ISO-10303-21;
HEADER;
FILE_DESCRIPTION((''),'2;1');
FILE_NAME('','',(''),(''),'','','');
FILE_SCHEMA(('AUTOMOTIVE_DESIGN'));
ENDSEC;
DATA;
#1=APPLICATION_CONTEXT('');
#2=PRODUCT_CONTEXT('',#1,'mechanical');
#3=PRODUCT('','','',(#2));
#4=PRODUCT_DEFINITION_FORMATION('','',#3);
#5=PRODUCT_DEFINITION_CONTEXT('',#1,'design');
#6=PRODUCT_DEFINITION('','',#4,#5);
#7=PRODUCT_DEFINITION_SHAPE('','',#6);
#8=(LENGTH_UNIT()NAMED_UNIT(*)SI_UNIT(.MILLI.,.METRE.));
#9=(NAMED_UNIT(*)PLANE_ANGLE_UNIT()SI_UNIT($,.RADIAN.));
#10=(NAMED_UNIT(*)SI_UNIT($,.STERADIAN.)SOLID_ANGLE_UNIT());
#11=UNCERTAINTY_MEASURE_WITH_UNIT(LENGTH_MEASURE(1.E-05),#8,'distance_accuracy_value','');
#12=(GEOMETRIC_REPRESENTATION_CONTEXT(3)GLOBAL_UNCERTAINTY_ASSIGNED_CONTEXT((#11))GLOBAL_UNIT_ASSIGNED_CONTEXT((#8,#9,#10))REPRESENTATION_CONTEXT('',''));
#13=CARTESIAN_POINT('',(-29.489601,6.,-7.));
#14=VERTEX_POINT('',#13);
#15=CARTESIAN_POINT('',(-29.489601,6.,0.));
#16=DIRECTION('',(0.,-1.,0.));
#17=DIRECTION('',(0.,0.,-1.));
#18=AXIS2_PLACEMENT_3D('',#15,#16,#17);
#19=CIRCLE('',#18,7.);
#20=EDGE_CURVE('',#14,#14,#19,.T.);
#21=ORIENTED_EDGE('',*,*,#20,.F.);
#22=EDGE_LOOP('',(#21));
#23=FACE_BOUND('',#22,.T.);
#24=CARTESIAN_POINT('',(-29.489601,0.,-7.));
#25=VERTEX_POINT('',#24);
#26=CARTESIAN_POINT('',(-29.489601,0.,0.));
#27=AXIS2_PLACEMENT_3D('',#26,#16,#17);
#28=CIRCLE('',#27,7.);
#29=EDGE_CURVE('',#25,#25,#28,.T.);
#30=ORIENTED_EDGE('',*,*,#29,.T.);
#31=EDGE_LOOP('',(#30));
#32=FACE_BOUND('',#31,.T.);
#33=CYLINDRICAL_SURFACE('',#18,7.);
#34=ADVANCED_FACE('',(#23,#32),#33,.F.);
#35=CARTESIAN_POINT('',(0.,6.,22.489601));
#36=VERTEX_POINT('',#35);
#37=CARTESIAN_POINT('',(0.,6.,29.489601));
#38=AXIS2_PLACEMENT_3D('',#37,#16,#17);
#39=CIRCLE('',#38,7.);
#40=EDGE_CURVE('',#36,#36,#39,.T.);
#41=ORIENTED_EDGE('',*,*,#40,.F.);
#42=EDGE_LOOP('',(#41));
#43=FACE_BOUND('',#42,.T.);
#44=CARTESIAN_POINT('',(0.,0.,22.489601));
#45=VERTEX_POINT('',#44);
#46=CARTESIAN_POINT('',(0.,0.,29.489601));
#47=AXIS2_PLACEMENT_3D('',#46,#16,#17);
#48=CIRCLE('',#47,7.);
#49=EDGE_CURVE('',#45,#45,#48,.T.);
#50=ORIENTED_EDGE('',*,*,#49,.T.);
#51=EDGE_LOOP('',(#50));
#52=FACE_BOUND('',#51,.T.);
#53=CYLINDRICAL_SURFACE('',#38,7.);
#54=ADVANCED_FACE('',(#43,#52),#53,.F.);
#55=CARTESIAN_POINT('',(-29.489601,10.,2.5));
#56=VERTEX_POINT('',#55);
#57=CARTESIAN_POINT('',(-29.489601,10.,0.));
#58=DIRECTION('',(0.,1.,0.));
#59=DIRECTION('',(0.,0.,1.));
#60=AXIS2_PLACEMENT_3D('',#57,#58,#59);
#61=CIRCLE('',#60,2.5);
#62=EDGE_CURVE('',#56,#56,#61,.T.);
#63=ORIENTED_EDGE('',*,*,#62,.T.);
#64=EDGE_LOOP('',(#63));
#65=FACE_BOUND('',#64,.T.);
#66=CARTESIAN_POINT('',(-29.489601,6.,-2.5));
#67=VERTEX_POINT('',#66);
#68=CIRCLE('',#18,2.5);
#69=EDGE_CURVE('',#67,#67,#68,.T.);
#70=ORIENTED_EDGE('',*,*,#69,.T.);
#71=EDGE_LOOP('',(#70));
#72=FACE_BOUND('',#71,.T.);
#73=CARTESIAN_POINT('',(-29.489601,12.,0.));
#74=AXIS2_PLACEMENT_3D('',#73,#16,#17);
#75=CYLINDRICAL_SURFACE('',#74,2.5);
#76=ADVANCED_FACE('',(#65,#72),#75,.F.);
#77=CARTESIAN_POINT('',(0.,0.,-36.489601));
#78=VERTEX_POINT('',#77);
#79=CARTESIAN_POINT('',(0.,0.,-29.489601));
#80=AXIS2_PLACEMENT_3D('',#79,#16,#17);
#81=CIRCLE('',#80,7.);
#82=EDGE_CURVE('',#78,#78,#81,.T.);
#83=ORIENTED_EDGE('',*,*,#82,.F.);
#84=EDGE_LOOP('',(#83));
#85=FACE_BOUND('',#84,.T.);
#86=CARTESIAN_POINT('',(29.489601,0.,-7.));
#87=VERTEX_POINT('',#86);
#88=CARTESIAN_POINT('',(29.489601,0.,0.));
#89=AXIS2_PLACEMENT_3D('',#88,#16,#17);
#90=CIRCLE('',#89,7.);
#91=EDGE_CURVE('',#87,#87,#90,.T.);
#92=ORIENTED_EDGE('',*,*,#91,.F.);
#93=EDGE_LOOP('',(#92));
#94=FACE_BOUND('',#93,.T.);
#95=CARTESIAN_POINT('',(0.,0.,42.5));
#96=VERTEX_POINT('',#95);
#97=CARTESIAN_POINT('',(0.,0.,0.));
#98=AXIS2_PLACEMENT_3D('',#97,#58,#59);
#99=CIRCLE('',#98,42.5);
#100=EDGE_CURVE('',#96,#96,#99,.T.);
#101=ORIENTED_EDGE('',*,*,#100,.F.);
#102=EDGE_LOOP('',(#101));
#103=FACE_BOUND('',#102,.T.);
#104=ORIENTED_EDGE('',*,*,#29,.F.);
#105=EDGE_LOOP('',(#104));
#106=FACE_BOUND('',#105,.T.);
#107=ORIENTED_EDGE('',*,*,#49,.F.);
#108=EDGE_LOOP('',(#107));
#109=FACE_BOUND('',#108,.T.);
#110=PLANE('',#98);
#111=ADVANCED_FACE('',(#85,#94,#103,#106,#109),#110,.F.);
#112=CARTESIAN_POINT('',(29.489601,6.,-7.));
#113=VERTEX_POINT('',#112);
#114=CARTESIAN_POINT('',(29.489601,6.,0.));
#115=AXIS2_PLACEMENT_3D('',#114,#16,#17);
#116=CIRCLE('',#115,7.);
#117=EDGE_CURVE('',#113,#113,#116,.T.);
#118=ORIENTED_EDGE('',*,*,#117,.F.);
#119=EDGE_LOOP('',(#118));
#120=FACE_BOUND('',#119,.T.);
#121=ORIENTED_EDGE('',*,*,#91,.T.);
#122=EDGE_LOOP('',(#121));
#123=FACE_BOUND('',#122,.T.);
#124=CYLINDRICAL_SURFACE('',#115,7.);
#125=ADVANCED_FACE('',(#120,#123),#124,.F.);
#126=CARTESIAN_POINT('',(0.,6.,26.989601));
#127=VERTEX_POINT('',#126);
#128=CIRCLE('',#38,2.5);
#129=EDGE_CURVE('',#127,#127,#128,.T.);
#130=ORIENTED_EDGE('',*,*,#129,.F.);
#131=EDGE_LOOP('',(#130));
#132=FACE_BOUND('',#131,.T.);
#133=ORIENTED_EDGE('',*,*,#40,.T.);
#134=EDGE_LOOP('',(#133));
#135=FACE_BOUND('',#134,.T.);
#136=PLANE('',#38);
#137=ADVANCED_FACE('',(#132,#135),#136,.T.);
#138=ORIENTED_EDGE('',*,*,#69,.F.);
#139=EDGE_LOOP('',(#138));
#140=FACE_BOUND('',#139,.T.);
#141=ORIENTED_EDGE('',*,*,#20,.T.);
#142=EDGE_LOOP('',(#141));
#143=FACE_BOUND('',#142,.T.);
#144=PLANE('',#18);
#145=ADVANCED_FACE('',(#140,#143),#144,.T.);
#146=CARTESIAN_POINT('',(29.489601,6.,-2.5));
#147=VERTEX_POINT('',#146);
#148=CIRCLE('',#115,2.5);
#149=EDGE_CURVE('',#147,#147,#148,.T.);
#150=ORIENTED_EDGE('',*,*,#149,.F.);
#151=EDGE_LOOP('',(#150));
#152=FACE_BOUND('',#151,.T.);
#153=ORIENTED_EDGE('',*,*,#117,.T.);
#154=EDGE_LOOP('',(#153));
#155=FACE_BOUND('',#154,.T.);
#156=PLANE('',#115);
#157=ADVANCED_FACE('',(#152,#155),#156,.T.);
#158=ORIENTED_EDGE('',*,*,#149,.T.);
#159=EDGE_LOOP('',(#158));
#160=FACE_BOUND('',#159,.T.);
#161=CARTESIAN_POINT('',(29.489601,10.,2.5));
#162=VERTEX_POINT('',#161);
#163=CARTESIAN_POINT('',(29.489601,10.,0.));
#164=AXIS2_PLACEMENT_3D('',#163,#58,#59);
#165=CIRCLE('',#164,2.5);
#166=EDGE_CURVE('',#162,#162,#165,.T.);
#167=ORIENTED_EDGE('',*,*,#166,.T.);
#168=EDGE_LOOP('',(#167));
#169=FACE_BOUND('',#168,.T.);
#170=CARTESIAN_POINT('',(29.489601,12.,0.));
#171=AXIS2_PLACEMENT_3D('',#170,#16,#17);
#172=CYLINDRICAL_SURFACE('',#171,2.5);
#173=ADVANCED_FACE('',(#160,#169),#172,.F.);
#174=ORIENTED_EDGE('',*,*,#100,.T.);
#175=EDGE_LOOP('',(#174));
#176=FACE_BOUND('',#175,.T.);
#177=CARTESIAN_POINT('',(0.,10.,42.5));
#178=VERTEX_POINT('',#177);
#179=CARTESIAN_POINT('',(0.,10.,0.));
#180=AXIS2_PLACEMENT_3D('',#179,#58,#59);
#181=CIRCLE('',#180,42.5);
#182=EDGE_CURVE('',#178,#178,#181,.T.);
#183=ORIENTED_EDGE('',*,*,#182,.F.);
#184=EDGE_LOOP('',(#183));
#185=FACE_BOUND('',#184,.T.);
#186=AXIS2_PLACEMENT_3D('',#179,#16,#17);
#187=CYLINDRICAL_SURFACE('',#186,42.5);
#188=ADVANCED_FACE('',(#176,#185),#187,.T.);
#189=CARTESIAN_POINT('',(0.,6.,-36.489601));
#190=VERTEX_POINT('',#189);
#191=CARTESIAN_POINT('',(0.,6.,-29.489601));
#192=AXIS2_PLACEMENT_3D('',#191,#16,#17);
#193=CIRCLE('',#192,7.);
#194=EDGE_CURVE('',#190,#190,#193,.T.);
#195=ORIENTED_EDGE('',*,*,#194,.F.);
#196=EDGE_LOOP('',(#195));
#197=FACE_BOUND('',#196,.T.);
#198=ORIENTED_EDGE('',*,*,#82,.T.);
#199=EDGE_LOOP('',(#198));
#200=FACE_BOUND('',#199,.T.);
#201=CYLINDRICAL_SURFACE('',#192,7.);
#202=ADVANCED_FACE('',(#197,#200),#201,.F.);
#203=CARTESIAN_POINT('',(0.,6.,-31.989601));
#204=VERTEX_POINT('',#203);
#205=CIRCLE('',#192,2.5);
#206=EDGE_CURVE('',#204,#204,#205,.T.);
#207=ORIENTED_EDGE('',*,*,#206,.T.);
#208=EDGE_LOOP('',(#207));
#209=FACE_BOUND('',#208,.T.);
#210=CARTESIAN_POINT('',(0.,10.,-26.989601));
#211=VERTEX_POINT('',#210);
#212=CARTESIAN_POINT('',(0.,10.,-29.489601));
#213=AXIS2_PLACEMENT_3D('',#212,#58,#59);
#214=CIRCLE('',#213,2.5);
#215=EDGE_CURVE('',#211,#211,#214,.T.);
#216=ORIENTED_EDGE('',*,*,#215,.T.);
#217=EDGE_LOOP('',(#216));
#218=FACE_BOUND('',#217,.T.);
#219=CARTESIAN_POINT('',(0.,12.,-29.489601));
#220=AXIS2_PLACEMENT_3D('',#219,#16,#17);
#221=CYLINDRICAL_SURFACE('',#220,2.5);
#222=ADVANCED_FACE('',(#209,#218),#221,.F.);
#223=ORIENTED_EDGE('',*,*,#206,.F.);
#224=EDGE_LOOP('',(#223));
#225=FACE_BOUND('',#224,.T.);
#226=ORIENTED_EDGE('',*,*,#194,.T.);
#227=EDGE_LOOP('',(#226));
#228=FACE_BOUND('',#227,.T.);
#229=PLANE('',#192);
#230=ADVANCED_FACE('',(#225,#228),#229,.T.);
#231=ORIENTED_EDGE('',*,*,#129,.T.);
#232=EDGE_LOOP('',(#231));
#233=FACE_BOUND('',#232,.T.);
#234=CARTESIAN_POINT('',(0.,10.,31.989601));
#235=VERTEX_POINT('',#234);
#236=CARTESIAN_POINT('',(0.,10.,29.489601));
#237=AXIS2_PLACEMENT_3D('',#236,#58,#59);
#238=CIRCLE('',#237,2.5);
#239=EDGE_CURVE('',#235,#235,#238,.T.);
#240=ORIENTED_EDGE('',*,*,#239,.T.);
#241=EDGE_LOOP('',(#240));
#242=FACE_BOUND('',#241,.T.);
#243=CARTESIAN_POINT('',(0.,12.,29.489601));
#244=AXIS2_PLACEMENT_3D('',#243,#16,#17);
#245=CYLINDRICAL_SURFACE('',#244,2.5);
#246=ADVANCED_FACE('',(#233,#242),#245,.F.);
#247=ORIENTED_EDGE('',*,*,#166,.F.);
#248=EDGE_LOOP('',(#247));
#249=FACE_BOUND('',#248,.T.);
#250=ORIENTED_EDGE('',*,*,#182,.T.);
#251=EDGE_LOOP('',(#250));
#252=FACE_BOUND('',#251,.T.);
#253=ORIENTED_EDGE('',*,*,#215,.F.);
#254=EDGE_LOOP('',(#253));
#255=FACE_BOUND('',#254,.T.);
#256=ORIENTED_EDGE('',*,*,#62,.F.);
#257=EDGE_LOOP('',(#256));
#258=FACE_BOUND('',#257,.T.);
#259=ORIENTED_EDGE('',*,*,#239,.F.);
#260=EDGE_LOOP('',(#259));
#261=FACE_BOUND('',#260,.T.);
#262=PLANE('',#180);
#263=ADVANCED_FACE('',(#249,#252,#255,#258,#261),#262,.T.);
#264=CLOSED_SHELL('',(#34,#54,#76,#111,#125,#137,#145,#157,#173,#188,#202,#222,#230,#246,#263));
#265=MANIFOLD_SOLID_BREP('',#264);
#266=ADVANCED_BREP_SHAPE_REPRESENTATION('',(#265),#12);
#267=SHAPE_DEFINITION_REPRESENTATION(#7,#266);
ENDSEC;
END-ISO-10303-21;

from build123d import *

# Parameters (mm, degrees)
SKETCH_1_R          = 42.5
EXTRUDE_1_DEPTH     = 10
SKETCH_2_R          = 7
CUT_EXTRUDE_1_DEPTH = 6
SKETCH_3_R          = 2.5
CUT_EXTRUDE_2_DEPTH = 6


with BuildPart() as part:
    # Эскиз1 → Вытянуть1 (new body)
    with BuildSketch(Plane(origin=(0, 0, 0), x_dir=(1, 0, 0), z_dir=(0, 1, 0))):
        with Locations(Location((0, 0, 0), (0, 0, 270))):
            Circle(SKETCH_1_R)
    extrude(amount=EXTRUDE_1_DEPTH)

    # Эскиз2 → Вырез-Вытянуть1 (cut)
    with BuildSketch(Plane.XZ):
        with Locations(Location((-29.48960133, 0, 0), (0, 0, 270))):
            Circle(SKETCH_2_R)
        with Locations(Location((0, 29.48960133, 0), (0, 0, 270))):
            Circle(SKETCH_2_R)
        with Locations(Location((29.48960133, 0, 0), (0, 0, 270))):
            Circle(SKETCH_2_R)
        with Locations(Location((0, -29.48960133, 0), (0, 0, 270))):
            Circle(SKETCH_2_R)
    extrude(amount=-CUT_EXTRUDE_1_DEPTH, mode=Mode.SUBTRACT)

    # Эскиз3 → Вырез-Вытянуть2 (cut)
    with BuildSketch(Plane.XZ.offset(-6)):
        with Locations(Location((-29.48960133, 0, 0), (0, 0, 270))):
            Circle(SKETCH_3_R)
        with Locations(Location((0, 29.48960133, 0), (0, 0, 270))):
            Circle(SKETCH_3_R)
        with Locations(Location((29.48960133, 0, 0), (0, 0, 270))):
            Circle(SKETCH_3_R)
        with Locations(Location((0, -29.48960133, 0), (0, 0, 270))):
            Circle(SKETCH_3_R)
    extrude(amount=-CUT_EXTRUDE_2_DEPTH, mode=Mode.SUBTRACT)


solid = part.part
